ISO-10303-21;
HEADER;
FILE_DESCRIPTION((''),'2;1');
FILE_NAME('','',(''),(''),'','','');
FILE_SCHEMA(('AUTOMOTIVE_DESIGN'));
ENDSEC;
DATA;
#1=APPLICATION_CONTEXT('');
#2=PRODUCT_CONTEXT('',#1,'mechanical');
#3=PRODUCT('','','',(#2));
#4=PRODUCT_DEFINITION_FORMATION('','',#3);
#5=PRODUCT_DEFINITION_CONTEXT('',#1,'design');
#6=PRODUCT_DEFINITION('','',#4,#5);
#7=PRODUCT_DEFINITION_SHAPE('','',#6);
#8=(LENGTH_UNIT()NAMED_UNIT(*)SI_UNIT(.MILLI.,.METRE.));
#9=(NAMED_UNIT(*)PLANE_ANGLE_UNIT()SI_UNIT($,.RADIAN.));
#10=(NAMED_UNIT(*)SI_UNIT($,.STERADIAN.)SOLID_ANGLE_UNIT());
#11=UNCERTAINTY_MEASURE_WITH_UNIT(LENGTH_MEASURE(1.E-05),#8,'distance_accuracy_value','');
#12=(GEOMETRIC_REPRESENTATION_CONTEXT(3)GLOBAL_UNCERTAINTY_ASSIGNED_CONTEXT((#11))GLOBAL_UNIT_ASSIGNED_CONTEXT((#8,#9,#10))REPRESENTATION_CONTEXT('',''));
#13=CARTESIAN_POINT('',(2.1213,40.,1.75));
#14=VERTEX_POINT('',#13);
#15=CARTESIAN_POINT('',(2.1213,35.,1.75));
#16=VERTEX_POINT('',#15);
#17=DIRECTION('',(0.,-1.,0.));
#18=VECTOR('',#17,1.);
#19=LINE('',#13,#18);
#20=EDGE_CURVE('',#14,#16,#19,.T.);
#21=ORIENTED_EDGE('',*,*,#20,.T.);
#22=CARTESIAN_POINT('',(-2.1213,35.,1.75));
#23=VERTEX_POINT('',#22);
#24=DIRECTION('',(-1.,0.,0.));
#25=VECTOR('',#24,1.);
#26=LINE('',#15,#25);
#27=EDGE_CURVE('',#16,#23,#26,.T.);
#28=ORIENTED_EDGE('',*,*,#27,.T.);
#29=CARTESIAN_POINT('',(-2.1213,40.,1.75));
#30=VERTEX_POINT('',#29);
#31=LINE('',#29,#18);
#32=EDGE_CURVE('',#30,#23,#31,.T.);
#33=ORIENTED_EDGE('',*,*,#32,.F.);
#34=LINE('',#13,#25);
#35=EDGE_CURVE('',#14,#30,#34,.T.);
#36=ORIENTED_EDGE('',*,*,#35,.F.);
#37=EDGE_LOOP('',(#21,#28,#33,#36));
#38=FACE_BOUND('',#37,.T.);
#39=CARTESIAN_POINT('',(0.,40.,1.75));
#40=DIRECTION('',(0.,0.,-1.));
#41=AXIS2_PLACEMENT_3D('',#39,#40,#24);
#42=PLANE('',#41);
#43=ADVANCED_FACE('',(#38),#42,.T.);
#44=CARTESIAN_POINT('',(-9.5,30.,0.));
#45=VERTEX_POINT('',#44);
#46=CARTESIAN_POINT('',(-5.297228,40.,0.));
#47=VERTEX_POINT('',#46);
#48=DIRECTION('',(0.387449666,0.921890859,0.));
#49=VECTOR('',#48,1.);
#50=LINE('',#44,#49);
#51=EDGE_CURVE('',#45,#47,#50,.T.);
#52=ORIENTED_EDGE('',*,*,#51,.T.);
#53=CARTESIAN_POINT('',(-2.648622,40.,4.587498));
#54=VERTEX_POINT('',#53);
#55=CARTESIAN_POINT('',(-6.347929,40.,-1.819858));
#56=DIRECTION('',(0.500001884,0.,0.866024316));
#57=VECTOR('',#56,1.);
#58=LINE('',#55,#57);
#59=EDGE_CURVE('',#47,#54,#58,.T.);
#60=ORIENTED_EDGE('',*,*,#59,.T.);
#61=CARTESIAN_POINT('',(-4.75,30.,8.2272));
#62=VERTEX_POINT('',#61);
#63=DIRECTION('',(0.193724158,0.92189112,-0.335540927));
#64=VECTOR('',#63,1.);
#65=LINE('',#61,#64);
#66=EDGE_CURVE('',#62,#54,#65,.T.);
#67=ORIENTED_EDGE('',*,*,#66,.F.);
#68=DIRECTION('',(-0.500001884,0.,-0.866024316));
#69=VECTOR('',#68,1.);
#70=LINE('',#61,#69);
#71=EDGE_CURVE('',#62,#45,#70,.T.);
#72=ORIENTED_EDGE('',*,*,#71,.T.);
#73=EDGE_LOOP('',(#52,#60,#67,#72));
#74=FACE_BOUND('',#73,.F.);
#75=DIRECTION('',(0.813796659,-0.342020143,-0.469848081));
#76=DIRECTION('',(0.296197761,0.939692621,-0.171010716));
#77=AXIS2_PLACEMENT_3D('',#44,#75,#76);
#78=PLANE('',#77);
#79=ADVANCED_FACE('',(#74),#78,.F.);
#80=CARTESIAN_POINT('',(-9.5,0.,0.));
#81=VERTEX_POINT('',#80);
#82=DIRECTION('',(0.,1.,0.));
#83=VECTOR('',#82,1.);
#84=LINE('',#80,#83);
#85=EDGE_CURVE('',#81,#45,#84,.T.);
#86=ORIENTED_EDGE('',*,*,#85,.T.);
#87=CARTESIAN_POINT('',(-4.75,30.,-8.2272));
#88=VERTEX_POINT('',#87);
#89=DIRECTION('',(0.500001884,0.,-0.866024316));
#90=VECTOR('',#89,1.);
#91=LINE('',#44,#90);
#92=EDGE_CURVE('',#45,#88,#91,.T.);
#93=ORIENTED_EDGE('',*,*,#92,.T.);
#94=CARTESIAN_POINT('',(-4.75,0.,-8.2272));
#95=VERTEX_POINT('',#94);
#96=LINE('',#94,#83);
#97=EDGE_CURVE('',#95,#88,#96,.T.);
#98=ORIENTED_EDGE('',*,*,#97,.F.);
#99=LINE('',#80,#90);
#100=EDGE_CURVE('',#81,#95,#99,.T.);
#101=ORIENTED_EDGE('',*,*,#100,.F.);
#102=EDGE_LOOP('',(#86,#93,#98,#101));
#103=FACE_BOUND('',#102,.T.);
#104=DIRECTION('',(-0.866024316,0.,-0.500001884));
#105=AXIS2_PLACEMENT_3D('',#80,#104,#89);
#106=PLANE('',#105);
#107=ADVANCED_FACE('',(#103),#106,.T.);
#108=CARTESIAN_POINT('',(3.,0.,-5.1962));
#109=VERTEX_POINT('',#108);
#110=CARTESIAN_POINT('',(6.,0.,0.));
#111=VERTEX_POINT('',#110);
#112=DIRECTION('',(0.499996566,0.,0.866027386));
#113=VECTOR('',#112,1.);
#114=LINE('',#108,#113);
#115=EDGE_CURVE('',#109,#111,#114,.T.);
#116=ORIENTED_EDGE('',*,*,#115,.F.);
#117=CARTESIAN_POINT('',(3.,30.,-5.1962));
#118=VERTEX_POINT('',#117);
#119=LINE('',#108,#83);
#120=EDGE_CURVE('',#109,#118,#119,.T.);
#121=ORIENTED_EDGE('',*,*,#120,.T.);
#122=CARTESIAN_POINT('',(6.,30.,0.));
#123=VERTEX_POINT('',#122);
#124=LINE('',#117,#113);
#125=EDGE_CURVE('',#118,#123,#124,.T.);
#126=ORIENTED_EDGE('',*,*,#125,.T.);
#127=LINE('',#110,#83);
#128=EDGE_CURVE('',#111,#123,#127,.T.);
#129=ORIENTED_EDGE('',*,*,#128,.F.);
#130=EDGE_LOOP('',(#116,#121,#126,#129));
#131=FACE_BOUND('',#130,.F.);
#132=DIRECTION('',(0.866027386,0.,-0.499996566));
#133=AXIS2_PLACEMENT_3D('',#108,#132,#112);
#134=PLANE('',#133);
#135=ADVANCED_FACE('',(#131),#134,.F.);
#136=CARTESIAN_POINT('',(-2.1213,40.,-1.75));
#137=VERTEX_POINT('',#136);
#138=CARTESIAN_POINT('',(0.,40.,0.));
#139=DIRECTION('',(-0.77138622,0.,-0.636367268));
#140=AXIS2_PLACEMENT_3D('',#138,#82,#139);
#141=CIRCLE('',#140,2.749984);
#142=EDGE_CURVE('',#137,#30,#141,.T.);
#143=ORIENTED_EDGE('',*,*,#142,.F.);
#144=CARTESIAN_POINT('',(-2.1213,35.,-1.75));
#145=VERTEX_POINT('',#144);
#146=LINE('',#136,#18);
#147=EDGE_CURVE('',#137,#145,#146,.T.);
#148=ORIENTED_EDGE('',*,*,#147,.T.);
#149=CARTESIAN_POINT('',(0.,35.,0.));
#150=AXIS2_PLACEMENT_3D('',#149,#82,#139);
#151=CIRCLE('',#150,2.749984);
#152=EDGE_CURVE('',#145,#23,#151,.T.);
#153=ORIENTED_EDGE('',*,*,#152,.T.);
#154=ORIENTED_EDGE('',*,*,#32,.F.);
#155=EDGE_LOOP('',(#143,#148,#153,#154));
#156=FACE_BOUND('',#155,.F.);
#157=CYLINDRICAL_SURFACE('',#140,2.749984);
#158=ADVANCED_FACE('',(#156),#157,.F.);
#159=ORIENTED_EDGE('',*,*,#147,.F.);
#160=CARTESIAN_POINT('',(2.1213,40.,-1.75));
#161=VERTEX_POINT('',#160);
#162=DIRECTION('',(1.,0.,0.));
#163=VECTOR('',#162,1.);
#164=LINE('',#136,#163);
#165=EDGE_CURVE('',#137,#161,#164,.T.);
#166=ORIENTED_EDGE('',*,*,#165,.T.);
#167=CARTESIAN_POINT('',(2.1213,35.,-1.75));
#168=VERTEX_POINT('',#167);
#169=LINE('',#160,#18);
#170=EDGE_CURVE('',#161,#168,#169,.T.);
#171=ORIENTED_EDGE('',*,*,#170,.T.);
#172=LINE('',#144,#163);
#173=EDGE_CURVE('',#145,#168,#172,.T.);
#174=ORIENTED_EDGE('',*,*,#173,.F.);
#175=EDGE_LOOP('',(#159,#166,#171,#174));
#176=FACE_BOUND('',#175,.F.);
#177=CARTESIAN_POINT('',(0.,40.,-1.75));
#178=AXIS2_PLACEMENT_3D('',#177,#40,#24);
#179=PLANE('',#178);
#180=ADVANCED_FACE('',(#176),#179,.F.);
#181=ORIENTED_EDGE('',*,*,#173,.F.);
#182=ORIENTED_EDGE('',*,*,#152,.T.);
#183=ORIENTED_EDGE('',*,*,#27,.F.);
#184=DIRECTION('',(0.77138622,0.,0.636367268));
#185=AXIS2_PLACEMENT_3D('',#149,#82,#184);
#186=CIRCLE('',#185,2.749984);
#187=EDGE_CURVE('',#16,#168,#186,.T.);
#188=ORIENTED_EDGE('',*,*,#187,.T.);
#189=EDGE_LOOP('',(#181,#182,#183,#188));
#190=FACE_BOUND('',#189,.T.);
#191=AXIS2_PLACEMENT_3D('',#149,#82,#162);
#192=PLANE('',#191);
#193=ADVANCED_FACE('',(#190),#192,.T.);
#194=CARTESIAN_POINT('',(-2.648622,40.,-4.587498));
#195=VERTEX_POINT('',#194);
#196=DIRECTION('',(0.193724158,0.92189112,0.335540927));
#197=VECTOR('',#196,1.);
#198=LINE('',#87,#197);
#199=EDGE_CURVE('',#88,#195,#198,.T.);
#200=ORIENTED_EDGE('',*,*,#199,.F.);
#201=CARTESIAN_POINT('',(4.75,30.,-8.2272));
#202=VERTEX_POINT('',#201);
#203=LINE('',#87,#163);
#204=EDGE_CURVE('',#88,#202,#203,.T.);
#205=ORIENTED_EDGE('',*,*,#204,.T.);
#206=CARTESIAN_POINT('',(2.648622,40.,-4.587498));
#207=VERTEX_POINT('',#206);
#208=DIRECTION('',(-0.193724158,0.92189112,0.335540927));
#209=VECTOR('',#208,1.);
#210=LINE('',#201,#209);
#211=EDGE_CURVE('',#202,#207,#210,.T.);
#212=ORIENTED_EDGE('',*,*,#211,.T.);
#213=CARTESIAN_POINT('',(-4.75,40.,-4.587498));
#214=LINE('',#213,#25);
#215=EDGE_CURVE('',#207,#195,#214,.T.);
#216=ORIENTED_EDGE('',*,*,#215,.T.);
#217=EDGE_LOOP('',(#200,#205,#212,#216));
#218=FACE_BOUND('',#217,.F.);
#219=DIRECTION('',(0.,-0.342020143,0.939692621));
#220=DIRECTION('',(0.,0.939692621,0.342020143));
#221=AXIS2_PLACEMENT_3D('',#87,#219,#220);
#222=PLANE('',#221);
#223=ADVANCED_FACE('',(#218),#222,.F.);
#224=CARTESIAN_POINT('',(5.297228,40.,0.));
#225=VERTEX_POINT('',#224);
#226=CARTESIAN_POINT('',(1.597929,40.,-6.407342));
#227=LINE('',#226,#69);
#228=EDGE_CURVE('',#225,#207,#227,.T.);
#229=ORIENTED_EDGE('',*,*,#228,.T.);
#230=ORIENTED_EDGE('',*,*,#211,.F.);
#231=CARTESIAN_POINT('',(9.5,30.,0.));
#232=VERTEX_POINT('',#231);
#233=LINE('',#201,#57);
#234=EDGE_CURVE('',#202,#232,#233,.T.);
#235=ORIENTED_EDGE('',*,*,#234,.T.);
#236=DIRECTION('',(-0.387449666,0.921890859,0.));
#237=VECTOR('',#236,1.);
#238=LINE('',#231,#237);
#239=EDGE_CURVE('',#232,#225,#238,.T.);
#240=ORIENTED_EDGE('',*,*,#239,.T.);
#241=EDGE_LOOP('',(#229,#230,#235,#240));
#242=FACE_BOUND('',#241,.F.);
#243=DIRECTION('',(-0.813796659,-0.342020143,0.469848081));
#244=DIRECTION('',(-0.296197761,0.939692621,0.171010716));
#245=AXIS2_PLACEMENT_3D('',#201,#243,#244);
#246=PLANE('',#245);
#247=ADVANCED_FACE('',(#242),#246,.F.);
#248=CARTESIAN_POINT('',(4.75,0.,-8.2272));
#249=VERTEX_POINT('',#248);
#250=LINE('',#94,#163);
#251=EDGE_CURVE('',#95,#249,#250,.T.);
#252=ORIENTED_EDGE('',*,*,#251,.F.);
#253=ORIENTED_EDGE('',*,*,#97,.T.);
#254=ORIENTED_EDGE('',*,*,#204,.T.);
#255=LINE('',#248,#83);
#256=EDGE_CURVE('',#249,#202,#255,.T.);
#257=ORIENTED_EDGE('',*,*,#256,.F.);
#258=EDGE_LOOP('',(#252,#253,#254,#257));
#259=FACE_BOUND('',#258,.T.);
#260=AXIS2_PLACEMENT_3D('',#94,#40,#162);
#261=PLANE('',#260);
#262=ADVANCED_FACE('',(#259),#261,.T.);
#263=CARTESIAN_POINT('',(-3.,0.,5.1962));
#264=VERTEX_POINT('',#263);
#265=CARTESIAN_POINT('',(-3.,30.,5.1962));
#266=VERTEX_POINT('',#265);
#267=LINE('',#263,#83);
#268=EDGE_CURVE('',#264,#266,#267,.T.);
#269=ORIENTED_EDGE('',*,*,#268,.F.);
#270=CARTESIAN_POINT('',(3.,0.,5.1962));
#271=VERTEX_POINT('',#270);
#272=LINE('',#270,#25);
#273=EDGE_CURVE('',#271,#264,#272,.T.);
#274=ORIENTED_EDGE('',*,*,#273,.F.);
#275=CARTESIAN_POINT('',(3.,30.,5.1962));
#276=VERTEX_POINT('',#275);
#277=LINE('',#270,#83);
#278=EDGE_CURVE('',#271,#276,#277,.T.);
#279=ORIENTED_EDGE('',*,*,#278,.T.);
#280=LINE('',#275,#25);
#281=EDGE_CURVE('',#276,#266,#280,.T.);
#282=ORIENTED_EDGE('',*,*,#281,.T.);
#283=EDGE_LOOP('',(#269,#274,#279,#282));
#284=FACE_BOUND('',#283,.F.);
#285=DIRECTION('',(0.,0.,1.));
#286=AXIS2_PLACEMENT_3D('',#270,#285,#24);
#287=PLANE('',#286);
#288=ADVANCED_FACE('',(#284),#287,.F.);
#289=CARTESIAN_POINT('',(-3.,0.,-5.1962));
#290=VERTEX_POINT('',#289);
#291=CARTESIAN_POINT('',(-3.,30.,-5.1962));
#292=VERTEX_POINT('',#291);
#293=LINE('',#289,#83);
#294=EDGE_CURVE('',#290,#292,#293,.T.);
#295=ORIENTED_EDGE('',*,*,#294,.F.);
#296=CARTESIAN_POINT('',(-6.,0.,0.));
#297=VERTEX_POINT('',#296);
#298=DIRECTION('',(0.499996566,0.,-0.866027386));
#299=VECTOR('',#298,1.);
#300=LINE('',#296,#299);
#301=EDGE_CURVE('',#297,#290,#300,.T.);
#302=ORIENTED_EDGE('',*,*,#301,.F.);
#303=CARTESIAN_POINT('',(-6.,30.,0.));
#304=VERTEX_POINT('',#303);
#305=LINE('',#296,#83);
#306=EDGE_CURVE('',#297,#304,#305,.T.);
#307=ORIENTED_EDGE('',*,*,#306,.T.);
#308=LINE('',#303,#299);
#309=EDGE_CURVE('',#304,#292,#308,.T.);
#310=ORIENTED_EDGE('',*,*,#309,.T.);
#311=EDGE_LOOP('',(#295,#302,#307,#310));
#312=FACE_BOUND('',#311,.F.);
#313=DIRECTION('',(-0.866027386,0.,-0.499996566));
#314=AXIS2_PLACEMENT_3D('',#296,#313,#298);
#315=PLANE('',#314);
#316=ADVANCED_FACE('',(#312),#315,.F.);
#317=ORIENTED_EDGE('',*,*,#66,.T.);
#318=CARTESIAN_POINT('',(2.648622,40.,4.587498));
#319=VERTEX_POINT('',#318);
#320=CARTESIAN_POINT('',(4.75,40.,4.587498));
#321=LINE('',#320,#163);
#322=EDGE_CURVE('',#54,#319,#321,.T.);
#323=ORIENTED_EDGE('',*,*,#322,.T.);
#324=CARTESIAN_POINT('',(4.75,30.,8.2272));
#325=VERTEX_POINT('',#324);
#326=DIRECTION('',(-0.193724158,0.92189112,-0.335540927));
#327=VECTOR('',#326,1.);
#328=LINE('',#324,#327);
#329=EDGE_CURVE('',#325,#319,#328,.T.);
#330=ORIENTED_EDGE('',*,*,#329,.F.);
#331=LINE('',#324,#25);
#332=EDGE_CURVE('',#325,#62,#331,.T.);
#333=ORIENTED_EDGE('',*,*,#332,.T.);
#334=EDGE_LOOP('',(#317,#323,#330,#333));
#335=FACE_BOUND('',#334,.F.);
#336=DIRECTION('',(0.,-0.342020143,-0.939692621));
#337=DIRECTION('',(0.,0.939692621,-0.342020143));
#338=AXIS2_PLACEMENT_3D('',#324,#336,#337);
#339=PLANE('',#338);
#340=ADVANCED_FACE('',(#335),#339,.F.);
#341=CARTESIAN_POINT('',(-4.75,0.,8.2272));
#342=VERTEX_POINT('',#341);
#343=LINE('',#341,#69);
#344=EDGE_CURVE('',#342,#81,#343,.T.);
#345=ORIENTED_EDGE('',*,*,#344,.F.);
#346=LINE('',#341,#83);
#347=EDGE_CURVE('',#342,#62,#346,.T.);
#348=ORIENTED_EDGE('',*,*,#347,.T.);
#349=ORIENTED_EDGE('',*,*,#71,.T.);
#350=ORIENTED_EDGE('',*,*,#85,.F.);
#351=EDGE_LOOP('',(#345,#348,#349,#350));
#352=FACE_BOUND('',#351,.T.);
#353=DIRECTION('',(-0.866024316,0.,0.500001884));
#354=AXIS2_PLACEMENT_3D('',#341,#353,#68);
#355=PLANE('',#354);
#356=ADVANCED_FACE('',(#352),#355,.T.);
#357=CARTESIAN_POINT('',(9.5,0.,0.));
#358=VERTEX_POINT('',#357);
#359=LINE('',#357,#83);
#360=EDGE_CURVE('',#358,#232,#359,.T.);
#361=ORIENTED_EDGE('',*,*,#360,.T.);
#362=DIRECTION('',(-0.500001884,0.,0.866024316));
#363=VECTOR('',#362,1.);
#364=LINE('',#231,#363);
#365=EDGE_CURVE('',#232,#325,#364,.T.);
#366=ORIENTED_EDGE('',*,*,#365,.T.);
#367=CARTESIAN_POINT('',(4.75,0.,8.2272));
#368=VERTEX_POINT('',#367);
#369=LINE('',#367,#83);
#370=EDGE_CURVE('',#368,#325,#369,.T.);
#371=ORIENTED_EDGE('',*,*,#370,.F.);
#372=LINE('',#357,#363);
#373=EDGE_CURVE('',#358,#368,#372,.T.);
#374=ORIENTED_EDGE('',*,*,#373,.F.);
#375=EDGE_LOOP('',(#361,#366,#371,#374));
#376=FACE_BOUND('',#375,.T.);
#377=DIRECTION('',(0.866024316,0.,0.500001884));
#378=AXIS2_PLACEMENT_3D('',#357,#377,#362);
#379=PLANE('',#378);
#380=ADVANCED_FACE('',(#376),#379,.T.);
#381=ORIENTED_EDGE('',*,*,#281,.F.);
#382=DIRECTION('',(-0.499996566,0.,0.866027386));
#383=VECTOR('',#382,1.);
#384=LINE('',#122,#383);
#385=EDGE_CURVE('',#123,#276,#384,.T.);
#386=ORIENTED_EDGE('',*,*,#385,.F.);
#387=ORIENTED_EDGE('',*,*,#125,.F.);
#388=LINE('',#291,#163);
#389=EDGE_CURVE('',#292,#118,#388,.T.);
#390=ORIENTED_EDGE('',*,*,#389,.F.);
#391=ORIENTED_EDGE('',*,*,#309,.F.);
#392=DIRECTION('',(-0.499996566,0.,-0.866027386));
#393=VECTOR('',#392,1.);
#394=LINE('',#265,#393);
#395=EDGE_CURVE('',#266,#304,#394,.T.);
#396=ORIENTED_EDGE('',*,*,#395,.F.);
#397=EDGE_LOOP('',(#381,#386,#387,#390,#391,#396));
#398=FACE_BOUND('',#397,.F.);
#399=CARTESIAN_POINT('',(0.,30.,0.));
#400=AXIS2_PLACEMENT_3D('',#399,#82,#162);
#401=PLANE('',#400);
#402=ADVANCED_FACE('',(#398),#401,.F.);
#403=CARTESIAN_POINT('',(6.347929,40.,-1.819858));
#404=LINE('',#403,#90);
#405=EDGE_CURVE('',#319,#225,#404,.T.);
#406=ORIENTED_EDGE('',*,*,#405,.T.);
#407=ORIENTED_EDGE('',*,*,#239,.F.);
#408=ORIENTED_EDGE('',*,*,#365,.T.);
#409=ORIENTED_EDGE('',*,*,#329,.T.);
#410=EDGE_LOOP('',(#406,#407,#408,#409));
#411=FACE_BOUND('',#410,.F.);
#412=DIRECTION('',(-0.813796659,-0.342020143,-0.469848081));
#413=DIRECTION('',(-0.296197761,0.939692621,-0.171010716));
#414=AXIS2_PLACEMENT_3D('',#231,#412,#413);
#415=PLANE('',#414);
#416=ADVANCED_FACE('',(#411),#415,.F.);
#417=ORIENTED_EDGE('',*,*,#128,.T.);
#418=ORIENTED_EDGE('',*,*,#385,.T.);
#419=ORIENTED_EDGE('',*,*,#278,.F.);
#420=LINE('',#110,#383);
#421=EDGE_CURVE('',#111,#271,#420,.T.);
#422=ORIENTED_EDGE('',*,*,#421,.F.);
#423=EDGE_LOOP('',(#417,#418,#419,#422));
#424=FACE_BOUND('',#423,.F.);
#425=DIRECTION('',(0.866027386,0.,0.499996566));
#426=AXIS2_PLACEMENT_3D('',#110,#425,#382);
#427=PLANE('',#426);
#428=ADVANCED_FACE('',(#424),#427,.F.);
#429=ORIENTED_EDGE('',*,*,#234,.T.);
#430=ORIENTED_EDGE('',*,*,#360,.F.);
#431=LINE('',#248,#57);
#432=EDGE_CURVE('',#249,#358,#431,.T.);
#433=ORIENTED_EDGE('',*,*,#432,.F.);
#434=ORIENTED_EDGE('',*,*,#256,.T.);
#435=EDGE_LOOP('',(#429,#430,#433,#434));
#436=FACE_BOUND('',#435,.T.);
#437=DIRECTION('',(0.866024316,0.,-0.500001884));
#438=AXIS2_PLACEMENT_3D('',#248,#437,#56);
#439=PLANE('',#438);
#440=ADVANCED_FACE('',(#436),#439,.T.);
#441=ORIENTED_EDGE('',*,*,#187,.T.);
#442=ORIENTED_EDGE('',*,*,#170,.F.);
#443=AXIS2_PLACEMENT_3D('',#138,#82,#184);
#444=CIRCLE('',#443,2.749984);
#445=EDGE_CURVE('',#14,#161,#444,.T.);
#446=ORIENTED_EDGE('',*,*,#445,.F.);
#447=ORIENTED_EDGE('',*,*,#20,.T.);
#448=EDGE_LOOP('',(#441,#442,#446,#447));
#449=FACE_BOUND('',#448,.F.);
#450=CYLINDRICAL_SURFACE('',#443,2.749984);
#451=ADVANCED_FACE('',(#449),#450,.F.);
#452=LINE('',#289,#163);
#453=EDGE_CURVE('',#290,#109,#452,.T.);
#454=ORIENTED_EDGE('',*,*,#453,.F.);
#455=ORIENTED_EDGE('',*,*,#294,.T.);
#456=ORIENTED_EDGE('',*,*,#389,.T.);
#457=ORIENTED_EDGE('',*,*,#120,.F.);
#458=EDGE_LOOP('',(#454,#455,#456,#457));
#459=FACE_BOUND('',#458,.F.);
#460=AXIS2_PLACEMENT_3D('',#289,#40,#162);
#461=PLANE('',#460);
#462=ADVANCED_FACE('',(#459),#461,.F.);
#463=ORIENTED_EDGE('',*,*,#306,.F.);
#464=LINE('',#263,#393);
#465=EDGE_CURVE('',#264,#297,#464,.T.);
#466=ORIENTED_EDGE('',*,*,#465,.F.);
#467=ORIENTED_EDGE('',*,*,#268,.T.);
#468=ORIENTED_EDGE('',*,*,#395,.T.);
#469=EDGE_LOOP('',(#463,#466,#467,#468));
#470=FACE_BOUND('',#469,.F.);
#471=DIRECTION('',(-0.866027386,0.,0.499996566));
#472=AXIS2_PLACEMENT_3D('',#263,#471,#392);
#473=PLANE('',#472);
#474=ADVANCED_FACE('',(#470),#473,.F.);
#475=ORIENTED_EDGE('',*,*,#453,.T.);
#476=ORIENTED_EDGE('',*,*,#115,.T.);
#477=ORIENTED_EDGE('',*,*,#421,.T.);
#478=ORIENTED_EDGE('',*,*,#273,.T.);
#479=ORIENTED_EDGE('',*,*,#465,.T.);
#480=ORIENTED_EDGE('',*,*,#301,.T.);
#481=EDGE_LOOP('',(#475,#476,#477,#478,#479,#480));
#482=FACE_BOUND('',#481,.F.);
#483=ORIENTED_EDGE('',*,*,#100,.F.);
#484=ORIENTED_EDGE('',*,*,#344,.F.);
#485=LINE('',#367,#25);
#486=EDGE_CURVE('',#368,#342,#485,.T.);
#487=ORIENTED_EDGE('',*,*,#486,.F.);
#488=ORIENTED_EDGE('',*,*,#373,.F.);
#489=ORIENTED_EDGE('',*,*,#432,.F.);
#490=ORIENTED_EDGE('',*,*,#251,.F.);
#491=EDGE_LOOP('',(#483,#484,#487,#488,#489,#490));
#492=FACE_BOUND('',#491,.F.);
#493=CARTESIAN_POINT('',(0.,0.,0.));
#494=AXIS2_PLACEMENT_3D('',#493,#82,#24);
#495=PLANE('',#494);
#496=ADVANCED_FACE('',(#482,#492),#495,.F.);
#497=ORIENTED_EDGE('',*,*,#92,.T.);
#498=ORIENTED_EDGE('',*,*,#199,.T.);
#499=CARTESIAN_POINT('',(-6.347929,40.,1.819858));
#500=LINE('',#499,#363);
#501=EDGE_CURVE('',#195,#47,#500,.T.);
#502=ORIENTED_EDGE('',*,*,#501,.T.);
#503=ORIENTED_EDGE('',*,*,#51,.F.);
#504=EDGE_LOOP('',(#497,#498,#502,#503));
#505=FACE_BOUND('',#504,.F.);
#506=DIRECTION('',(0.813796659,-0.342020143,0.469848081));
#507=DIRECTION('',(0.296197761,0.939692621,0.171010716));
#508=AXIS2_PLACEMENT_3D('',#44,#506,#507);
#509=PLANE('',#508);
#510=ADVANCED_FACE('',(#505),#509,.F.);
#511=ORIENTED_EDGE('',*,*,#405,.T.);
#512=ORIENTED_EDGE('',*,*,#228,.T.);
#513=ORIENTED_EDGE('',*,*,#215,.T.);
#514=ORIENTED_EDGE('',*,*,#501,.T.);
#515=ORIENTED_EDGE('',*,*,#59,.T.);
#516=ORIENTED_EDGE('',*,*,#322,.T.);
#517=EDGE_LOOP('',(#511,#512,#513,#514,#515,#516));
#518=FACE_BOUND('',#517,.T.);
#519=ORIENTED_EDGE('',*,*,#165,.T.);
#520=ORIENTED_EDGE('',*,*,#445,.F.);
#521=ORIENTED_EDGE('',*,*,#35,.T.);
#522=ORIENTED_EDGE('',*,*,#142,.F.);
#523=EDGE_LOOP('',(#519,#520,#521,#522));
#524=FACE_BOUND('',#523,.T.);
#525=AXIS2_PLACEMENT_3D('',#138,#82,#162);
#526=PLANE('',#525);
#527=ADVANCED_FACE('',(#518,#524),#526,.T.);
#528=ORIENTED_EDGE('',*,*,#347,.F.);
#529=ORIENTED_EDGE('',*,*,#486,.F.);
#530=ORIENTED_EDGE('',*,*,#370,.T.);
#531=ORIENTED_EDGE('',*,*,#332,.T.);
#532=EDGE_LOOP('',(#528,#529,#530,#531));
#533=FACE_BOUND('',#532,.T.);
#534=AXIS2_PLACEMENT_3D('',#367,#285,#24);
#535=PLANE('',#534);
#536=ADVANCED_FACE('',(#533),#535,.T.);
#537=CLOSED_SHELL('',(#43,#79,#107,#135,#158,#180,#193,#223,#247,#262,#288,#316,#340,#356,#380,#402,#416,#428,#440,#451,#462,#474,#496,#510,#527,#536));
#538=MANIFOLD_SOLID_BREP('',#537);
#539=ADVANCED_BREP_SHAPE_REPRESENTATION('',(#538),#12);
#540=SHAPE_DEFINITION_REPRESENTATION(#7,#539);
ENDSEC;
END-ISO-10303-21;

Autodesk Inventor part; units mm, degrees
ref_plane "YZ Plane" through (0, 0, 0) normal (1, 0, 0) x (0, 1, 0)
ref_plane "XZ Plane" through (0, 0, 0) normal (0, 1, 0) x (-1, 0, 0)
ref_plane "XY Plane" through (0, 0, 0) normal (0, 0, 1) x (1, 0, 0)
sketch "Boceto16" plane through (0, 0, 0) normal (0, 1, 0) x (-1, 0, 0)
  line L0 (0, 0) -> (6, 0)
  line L1 (6, 0) -> (3, -5.1962)
  line L2 (3, -5.1962) -> (-3, -5.1962)
  line L3 (-3, -5.1962) -> (-6, 0)
  line L4 (-6, 0) -> (-3, 5.1962)
  line L5 (-3, 5.1962) -> (3, 5.1962)
  line L6 (3, 5.1962) -> (6, 0)
  line L7 (6, 0) -> (9.5, 0)
  line L8 (9.5, 0) -> (4.75, -8.2272)
  line L9 (4.75, -8.2272) -> (-4.75, -8.2272)
  line L10 (-4.75, -8.2272) -> (-9.5, 0)
  line L11 (-9.5, 0) -> (-4.75, 8.2272)
  line L12 (-4.75, 8.2272) -> (4.75, 8.2272)
  line L13 (4.75, 8.2272) -> (9.5, 0)
  dimension "d55" = 6
  dimension "d56" = 3.5
extrude "Extrusión10" add sketch "Boceto16" along normal blind 30
sketch "Boceto17" plane through (0, 30, 0) normal (0, 1, 0) x (1, 0, 0)
  line L0 (-9.5, 0) -> (-4.75, -8.2272) projected
  line L1 (-9.5, 0) -> (-4.75, 8.2272)
  line L2 (-4.75, 8.2272) -> (4.75, 8.2272)
  line L3 (4.75, 8.2272) -> (9.5, 0)
  line L4 (9.5, 0) -> (4.75, -8.2272)
  line L5 (4.75, -8.2272) -> (-4.75, -8.2272)
  line L6 (-4.75, -8.2272) -> (-9.5, 0)
  point P0 (0, 0)
  point P1 (0, 0)
extrude "Extrusión11" add sketch "Boceto17" along normal blind 10 draft -20
sketch "Boceto18" plane through (0, 40, 0) normal (0, 1, 0) x (1, 0, 0)
  line L0 (0, 1.75) -> (2.1213, 1.75)
  line L1 (0, -1.75) -> (2.1213, -1.75)
  line L2 (0, -1.75) -> (-2.1213, -1.75)
  line L3 (0, 1.75) -> (-2.1213, 1.75)
  arc A0 (-2.1213, 1.75) -> (-2.1213, -1.75) centre (0, 0) ccw
  arc A1 (2.1213, -1.75) -> (2.1213, 1.75) centre (0, 0) ccw
extrude "Extrusión12" cut sketch "Boceto18" against normal blind 5
